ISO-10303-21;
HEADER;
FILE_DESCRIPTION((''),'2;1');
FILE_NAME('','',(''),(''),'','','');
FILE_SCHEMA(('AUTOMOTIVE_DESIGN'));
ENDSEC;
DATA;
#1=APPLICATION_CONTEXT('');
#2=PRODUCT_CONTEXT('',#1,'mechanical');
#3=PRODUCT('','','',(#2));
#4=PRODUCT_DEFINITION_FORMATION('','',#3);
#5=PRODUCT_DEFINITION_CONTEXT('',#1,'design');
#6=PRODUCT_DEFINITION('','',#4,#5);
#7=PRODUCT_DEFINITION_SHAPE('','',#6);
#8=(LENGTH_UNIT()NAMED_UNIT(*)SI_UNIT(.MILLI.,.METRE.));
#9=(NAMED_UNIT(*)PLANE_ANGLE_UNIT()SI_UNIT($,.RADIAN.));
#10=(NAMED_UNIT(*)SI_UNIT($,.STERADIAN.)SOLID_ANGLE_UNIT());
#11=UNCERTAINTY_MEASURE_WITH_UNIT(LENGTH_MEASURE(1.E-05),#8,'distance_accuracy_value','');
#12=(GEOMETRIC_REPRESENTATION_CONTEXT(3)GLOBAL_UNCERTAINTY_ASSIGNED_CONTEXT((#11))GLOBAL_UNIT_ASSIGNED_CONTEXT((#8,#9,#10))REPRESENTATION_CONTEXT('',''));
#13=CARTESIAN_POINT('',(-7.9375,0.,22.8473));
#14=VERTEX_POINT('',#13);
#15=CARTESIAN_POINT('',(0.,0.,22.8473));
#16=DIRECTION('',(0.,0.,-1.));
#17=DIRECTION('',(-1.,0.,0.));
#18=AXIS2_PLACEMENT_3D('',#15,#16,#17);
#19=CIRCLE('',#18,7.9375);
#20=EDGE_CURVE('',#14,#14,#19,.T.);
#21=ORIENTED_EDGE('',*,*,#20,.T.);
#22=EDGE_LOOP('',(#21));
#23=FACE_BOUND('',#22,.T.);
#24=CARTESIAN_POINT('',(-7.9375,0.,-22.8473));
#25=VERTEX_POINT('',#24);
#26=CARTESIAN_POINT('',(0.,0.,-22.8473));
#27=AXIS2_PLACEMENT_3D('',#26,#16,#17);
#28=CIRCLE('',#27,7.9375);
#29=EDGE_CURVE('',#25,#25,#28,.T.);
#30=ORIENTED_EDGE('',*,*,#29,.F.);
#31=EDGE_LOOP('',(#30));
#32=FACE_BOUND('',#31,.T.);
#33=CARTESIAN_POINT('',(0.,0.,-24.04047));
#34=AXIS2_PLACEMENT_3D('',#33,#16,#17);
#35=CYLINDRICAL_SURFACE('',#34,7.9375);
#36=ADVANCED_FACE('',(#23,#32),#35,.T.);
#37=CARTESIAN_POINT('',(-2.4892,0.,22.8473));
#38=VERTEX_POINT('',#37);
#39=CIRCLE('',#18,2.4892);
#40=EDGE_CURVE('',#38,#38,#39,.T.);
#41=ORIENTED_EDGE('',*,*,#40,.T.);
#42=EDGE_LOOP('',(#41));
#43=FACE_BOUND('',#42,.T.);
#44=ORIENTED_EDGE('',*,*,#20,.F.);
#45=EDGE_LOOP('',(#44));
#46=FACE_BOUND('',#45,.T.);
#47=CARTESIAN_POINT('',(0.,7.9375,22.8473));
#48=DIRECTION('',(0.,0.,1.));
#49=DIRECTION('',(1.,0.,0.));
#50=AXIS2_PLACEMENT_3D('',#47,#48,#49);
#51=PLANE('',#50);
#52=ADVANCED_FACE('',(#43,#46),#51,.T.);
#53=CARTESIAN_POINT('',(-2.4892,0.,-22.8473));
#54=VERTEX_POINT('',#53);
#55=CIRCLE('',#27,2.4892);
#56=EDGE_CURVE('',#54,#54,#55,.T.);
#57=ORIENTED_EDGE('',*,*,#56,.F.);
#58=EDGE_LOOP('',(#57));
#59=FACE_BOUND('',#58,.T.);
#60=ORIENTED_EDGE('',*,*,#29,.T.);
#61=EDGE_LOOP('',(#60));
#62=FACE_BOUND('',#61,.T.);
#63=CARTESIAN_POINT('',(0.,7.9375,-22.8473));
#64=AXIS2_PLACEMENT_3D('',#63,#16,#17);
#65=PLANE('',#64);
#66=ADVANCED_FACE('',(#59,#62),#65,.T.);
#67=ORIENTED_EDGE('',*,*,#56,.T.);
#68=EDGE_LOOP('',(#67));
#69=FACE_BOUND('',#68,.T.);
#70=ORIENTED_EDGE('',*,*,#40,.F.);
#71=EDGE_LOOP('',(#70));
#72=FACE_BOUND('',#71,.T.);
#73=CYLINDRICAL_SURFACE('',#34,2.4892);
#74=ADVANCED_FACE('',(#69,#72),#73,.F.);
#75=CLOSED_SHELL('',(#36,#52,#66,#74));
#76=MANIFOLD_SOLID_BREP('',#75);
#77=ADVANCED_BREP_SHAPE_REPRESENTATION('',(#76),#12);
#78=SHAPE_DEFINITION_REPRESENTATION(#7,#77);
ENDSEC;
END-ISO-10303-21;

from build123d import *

# Parameters (mm, degrees)
SKETCH1_W = 45.6946
SKETCH1_H = 5.4483


with BuildPart() as part:
    # Sketch1 → Revolve1 (revolve)
    with BuildSketch(Plane(origin=(0, 0, 0), x_dir=(0, 0, -1), z_dir=(1, 0, 0)), mode=Mode.PRIVATE) as revolve1_sk:
        with Locations((0, 5.21335)):
            Rectangle(SKETCH1_W, SKETCH1_H)
    revolve(revolve1_sk.sketch.rotate(Axis((0, 0, -24.040470393), (0, 0, 1)), 90), axis=Axis((0, 0, -24.040470393), (0, 0, 1)))


solid = part.part
